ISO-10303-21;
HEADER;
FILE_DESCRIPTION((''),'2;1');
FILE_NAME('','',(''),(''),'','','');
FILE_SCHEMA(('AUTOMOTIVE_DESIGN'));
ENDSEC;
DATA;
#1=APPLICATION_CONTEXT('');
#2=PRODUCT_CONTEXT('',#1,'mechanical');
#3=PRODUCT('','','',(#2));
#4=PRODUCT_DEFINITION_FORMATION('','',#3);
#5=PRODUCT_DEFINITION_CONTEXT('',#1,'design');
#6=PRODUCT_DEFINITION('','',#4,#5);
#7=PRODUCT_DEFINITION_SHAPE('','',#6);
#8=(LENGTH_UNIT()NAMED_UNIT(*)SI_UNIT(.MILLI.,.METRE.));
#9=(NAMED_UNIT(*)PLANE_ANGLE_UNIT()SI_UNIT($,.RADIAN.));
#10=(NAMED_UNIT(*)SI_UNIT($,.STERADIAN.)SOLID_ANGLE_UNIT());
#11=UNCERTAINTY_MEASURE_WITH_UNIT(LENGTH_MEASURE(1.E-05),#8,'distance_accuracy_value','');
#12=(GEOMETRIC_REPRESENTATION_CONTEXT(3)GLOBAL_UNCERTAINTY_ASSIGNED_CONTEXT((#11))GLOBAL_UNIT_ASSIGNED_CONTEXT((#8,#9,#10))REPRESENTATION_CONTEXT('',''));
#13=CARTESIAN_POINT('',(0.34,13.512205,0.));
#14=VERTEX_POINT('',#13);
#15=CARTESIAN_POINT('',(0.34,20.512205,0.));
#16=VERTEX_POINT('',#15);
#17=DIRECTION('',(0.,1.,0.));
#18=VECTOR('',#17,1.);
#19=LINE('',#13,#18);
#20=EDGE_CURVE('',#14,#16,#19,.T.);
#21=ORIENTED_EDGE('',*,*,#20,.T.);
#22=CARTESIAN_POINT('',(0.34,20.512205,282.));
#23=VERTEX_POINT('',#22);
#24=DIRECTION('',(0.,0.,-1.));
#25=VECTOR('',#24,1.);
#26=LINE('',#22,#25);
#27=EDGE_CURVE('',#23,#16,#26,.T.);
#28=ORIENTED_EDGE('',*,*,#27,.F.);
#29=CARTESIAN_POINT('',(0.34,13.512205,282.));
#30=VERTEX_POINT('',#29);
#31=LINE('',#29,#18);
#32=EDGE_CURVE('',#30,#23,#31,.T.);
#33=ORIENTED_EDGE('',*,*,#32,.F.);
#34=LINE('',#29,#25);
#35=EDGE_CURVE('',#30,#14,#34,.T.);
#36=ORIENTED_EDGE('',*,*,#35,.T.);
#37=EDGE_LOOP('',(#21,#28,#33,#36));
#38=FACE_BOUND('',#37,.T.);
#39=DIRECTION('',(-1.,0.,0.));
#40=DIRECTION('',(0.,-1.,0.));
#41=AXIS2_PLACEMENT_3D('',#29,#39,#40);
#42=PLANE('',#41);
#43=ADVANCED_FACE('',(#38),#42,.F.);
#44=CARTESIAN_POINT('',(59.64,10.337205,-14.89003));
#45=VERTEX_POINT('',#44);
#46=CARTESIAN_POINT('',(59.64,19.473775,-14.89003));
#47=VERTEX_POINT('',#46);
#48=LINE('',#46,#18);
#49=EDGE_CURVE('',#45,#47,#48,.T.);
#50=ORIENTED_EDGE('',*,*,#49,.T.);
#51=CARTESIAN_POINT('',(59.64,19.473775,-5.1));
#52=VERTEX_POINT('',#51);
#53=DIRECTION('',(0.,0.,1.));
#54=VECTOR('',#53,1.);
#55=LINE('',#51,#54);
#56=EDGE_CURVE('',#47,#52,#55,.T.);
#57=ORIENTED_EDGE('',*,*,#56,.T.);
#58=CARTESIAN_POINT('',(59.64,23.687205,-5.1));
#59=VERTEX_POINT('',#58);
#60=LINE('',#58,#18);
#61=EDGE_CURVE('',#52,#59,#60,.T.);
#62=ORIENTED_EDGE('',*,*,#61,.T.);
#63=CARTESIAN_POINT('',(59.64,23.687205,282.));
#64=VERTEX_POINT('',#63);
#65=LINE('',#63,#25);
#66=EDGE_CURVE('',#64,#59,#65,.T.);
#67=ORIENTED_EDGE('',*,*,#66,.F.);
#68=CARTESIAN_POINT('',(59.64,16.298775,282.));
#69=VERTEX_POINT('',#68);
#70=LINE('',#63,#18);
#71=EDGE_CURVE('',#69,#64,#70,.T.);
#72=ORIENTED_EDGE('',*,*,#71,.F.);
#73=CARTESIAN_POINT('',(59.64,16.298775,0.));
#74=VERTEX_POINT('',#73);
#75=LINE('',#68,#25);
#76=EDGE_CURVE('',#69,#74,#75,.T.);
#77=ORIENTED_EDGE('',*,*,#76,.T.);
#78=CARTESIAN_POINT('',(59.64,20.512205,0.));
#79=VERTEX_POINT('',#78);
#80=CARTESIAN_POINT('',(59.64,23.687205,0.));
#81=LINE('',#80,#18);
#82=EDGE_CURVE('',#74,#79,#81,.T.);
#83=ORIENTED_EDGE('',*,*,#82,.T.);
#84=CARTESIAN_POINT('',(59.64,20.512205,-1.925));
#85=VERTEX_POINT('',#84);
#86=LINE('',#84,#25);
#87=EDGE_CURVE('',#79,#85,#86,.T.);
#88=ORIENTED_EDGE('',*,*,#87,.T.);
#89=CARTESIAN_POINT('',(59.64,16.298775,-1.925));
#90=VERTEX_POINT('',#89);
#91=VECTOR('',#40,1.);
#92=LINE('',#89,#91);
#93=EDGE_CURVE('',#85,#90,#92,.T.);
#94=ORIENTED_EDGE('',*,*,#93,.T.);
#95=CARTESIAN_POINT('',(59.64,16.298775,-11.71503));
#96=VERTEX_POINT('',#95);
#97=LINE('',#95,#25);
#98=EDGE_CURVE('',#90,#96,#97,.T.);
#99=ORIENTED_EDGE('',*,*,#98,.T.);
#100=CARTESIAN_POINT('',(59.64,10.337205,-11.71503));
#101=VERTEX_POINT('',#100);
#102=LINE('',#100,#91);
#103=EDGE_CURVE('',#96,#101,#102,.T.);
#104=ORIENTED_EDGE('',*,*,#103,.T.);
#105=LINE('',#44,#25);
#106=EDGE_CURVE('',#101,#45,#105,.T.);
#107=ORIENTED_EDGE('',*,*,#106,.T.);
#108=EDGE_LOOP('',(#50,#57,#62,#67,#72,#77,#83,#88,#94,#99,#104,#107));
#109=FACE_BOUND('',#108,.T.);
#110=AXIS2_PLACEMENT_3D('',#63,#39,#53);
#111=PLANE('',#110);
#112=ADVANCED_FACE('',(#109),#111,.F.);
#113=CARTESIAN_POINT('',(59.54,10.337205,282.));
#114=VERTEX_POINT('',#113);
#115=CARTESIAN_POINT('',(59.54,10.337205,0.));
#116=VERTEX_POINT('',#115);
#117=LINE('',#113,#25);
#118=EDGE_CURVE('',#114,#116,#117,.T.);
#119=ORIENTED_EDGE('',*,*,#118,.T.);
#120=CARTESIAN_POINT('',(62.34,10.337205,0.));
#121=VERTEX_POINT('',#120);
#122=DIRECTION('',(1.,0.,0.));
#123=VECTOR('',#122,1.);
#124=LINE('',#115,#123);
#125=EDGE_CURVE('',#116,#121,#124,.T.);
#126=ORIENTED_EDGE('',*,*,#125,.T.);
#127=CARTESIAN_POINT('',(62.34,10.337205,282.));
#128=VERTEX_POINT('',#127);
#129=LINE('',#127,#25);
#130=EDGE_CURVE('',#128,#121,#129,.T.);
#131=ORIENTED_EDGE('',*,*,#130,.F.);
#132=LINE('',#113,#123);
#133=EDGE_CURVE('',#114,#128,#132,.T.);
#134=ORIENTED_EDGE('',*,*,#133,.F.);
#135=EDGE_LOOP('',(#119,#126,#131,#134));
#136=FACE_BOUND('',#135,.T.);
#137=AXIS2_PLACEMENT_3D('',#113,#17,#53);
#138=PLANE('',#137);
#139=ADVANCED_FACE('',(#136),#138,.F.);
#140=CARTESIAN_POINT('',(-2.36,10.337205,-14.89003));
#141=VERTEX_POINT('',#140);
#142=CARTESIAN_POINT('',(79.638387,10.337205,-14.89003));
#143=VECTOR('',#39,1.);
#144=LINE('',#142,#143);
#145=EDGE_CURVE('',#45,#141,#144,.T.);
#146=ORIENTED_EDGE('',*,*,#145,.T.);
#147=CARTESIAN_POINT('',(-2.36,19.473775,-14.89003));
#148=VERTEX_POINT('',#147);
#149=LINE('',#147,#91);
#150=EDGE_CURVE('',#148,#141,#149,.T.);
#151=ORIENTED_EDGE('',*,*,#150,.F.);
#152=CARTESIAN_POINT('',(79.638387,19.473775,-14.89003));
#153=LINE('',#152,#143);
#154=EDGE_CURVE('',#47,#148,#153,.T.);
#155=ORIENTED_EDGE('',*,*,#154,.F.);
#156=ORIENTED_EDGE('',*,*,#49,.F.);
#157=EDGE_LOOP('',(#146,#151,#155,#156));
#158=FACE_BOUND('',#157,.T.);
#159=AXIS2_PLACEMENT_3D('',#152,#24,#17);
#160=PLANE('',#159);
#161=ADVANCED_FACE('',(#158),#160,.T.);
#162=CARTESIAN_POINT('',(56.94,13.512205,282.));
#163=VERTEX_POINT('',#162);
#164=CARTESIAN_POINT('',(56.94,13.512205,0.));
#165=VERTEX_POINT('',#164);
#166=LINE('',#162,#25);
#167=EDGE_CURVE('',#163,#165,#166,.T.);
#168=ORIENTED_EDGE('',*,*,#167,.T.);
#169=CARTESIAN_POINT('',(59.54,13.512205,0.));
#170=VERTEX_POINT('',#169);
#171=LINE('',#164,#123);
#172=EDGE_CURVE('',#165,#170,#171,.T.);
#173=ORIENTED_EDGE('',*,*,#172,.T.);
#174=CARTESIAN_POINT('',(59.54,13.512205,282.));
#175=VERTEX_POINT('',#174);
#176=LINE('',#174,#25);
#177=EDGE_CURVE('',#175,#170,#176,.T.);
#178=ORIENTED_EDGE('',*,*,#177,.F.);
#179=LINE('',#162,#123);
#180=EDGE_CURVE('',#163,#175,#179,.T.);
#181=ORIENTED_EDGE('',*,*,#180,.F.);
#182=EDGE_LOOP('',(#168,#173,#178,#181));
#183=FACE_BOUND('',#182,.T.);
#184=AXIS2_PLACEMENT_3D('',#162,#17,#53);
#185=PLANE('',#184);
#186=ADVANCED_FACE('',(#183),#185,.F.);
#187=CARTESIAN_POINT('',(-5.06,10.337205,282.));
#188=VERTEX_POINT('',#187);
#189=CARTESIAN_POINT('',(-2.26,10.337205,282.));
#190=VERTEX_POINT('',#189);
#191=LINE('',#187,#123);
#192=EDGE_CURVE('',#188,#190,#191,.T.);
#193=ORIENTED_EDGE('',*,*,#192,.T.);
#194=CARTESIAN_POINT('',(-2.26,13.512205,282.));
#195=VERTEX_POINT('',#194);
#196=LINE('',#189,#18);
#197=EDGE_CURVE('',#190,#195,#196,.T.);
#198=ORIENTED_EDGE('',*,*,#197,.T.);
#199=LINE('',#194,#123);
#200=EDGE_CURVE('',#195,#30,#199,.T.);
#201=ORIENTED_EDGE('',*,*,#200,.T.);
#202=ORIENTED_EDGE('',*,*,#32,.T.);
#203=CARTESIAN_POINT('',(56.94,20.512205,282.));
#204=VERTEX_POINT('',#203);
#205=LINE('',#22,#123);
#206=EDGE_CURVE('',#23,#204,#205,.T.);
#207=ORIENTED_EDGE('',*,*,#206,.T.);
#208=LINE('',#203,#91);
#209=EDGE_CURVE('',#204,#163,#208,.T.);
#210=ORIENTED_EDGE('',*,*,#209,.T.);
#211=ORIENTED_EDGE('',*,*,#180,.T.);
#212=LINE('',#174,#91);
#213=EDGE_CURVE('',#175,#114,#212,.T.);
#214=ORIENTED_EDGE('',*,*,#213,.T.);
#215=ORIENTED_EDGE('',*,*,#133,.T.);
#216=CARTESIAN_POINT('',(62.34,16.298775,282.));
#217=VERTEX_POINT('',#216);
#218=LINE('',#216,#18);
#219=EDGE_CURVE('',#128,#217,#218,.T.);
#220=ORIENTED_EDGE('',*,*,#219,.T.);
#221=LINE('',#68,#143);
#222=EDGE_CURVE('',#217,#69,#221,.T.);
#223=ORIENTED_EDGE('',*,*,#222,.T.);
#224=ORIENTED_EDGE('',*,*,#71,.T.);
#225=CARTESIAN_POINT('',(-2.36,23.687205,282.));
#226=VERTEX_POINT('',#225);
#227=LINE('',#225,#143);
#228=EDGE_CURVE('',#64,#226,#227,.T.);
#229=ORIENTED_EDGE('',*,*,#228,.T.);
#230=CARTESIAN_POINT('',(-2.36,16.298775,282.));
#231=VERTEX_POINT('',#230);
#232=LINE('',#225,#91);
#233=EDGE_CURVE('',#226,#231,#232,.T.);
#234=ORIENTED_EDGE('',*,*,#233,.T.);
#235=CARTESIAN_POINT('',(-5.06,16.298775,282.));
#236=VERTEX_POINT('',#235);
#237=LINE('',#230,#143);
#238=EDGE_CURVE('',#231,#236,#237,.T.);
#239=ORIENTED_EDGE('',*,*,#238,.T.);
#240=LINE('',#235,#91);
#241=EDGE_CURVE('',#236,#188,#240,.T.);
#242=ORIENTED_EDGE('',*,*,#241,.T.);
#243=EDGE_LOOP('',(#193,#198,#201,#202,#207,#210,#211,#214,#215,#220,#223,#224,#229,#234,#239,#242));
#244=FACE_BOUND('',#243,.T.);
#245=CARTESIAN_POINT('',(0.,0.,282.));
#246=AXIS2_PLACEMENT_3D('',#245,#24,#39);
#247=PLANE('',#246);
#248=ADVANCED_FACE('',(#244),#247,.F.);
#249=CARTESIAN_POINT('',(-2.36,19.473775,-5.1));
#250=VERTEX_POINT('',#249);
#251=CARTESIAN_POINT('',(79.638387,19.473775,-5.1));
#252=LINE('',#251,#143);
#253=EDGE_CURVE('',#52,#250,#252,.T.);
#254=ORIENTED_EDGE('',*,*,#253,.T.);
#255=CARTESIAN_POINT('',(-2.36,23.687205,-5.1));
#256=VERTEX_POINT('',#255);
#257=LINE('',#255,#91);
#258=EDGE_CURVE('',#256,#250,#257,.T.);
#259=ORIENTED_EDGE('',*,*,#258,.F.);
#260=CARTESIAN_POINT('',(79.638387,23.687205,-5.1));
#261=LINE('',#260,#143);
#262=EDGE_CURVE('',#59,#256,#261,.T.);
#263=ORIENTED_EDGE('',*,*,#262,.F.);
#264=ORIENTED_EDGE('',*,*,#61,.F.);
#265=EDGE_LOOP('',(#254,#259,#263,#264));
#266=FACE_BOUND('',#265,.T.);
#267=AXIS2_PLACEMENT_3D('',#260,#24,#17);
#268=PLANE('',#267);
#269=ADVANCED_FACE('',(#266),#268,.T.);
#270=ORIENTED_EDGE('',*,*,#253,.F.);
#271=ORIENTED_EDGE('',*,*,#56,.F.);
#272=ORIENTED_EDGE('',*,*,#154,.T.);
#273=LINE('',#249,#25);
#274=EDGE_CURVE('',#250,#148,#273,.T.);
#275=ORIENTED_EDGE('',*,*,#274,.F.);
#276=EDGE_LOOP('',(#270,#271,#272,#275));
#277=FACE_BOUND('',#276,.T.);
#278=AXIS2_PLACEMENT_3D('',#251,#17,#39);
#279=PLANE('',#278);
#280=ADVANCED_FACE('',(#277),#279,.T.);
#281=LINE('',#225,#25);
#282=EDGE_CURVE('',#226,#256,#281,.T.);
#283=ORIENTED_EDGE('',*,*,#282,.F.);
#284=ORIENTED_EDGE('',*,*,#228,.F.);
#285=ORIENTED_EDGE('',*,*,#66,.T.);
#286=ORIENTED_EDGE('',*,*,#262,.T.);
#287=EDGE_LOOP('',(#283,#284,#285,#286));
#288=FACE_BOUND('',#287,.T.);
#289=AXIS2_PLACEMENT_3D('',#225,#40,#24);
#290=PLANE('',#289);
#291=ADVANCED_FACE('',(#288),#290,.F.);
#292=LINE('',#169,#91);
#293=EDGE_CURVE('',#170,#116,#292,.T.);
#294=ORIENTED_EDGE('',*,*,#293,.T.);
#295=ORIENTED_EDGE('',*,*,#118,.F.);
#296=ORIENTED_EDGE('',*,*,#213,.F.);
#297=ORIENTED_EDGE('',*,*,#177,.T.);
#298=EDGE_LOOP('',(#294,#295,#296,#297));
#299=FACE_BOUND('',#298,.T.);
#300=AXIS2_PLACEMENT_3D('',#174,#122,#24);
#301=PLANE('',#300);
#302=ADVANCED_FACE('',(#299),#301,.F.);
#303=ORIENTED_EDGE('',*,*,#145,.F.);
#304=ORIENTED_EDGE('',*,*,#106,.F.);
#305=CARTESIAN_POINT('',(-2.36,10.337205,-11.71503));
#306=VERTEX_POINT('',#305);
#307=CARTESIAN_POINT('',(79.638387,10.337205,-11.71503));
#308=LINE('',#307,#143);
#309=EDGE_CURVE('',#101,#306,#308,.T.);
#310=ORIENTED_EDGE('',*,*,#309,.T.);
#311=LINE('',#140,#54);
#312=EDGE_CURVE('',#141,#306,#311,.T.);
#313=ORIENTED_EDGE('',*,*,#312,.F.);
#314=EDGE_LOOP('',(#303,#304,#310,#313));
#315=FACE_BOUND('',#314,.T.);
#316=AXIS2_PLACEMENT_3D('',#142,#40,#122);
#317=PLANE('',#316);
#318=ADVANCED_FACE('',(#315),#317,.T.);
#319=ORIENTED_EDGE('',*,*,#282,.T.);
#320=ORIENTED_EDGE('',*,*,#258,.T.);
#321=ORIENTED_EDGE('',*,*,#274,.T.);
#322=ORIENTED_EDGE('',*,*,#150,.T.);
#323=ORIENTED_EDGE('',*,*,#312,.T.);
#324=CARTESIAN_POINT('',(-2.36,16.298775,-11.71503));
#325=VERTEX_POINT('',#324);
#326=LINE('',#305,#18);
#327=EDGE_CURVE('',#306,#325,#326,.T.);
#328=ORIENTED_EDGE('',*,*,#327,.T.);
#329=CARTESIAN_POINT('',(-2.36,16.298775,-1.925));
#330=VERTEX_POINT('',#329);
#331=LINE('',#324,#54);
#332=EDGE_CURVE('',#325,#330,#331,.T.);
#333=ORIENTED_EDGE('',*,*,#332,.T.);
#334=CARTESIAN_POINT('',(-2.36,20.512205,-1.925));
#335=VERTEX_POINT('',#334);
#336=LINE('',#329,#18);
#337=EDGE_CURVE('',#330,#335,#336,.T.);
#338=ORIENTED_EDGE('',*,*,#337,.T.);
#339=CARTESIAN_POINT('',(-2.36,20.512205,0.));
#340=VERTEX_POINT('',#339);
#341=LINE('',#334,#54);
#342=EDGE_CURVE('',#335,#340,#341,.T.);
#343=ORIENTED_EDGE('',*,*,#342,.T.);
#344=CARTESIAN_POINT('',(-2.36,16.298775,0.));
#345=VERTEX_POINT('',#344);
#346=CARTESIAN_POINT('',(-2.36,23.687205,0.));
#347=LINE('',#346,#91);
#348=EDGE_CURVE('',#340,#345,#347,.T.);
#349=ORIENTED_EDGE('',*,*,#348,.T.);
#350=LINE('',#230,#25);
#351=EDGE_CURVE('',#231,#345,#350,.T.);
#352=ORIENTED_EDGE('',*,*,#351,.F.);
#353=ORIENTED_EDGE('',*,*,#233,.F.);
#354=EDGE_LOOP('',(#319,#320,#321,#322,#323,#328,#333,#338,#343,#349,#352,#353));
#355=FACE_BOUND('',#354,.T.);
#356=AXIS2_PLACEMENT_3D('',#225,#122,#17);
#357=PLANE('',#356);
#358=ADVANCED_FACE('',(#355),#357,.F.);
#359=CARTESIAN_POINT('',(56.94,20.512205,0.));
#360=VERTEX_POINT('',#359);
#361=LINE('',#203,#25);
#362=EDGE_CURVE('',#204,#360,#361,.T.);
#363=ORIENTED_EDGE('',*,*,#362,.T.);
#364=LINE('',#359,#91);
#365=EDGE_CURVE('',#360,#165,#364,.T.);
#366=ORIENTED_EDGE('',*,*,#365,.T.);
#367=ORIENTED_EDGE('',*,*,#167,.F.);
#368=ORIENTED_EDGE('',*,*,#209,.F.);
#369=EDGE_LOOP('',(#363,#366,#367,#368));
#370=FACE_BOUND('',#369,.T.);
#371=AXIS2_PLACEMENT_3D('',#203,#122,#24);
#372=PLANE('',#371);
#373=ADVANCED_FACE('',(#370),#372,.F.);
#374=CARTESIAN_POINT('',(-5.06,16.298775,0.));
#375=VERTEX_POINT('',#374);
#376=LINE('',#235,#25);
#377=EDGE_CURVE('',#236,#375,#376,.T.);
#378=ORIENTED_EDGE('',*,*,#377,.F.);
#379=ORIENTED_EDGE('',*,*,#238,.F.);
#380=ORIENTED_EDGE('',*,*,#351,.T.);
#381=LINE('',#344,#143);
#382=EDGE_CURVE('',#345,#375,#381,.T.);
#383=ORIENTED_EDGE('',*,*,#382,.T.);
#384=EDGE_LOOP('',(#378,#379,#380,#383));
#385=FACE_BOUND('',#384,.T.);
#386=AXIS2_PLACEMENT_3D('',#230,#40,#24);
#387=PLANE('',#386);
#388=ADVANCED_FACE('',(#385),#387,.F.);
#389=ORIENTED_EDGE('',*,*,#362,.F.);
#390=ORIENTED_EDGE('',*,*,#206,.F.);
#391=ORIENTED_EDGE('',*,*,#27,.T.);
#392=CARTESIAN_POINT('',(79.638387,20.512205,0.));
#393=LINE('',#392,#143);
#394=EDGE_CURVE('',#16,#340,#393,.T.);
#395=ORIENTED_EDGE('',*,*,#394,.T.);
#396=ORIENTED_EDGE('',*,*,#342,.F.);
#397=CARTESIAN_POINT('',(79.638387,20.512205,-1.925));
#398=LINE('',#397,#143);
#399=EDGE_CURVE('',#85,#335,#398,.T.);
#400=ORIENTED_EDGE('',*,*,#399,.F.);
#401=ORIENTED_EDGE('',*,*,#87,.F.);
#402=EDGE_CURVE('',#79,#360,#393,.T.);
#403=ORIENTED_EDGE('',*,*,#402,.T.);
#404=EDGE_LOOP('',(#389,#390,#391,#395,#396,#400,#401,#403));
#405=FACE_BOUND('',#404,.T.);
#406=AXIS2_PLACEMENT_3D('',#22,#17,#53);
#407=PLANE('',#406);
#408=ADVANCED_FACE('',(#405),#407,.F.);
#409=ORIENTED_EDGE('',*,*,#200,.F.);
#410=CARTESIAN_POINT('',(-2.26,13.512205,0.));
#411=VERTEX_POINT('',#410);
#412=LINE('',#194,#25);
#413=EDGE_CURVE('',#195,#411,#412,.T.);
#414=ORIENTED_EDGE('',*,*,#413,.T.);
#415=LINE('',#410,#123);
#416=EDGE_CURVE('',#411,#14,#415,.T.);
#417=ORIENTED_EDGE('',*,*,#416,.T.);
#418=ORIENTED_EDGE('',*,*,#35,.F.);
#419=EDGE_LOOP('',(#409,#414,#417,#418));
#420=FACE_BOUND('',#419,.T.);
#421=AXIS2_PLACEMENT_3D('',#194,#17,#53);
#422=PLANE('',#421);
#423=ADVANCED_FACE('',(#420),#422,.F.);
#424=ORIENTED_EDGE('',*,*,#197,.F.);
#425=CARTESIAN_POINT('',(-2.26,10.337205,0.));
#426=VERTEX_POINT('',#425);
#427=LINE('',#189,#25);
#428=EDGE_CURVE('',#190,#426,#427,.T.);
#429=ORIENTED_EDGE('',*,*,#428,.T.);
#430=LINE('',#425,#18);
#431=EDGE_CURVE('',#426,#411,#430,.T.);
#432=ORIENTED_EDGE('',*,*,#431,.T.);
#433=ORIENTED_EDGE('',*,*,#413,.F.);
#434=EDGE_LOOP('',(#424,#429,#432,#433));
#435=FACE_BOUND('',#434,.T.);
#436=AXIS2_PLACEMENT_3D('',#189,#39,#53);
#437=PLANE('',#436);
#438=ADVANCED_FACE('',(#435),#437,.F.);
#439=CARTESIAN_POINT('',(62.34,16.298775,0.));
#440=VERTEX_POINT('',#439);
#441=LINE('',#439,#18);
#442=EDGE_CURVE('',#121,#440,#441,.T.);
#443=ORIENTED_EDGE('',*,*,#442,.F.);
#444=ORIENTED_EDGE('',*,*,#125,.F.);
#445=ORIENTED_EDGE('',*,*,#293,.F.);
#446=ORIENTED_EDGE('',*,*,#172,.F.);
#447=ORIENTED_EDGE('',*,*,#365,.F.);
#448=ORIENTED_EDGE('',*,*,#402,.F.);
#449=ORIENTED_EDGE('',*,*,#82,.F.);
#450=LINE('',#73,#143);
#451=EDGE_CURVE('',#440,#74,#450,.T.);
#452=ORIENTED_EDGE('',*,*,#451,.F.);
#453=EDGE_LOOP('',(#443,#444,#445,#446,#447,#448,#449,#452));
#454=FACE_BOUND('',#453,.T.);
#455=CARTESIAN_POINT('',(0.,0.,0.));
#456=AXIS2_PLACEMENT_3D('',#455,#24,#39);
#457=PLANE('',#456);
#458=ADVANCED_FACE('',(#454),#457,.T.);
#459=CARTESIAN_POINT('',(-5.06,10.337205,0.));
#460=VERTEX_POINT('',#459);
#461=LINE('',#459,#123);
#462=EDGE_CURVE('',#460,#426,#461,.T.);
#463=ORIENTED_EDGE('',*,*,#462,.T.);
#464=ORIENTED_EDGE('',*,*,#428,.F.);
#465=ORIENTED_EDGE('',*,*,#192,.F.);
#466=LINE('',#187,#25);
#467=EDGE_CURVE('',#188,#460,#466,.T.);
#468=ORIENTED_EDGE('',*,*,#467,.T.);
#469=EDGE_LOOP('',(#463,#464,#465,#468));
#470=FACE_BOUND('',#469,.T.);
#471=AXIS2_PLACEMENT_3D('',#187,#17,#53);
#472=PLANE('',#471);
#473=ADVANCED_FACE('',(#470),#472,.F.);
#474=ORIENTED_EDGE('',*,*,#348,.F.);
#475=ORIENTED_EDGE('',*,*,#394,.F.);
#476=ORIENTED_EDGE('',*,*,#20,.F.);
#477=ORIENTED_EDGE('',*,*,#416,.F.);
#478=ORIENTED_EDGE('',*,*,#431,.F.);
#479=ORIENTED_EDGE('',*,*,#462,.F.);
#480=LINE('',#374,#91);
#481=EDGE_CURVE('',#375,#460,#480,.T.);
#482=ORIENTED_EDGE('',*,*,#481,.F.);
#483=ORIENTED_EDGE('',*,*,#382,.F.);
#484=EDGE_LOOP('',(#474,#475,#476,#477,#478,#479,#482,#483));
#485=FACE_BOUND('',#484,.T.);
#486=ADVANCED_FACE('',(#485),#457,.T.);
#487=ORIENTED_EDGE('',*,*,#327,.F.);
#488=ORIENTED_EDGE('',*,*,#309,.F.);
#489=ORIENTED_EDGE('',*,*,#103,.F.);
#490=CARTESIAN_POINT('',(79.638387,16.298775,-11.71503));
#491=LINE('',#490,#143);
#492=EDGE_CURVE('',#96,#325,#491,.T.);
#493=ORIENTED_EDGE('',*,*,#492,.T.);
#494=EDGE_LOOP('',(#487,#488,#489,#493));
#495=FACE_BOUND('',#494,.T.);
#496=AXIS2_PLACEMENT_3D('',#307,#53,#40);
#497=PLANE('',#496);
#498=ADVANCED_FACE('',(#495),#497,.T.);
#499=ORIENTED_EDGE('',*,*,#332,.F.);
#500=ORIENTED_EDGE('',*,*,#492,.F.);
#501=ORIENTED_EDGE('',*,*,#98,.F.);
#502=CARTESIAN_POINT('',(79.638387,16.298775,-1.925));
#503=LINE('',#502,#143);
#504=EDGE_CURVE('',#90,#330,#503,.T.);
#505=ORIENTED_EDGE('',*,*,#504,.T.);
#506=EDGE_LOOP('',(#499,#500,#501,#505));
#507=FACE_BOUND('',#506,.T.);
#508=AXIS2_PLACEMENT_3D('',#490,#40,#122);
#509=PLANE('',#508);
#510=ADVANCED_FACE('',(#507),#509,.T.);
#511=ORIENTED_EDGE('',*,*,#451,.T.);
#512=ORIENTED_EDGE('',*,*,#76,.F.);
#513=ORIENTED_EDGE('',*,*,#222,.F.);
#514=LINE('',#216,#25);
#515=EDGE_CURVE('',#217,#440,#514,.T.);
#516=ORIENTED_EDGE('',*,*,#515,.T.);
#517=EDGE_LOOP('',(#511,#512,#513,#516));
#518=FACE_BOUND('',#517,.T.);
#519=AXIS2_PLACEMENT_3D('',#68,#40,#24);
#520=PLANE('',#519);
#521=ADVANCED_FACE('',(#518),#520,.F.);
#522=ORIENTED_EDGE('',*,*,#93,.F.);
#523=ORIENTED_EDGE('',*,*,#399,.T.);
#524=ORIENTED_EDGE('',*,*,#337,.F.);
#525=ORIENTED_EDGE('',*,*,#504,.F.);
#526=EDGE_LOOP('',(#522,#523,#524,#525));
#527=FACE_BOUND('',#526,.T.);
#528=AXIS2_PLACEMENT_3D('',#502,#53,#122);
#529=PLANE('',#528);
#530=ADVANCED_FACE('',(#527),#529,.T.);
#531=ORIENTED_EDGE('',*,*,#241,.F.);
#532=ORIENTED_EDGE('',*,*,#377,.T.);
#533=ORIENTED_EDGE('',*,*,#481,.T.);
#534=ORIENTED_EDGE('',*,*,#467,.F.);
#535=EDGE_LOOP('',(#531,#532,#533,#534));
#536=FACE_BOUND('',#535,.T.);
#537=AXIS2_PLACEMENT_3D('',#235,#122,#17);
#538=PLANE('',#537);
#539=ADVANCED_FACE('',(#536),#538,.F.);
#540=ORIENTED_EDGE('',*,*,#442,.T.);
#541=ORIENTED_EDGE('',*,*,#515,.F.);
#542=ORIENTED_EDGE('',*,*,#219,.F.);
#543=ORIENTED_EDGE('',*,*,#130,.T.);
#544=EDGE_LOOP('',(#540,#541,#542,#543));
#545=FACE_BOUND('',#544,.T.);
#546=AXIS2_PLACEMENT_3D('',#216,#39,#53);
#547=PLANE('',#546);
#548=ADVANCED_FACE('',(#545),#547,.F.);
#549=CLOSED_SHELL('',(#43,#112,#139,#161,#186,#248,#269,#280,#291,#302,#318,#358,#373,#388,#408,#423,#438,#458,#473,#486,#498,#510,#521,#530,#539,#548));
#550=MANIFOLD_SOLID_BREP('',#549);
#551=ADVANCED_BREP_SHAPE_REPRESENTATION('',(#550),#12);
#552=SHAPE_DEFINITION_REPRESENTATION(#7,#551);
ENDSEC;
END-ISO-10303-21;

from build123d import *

# Parameters (mm, degrees)
BOSS_EXTRUDE1_DEPTH = 282
BOSS_EXTRUDE2_DEPTH = 62


with BuildPart() as part:
    # Sketch1 → Boss-Extrude1 (new body)
    with BuildSketch(Plane.XY):
        Polygon((-2.36, 23.687204572), (59.64, 23.687204572), (59.64, 16.298774949), (62.34, 16.298774949), (62.34, 10.337204572), (59.54, 10.337204572), (59.54, 13.512204572), (56.94, 13.512204572), (56.94, 20.512204572), (0.34, 20.512204572), (0.34, 13.512204572), (-2.26, 13.512204572), (-2.26, 10.337204572), (-5.06, 10.337204572), (-5.06, 16.298774949), (-2.36, 16.298774949), align=None)
    extrude(amount=BOSS_EXTRUDE1_DEPTH)

    # Sketch5 → Boss-Extrude2 (add)
    with BuildSketch(Plane.ZY.offset(2.36)):
        Polygon((0, 23.687204572), (-5.1, 23.687204572), (-5.1, 19.473774949), (-14.890029998, 19.473774949), (-14.890029998, 10.337204572), (-11.715029998, 10.337204572), (-11.715029998, 16.298774949), (-1.925, 16.298774949), (-1.925, 20.512204572), (0, 20.512204572), align=None)
    extrude(amount=-BOSS_EXTRUDE2_DEPTH)


solid = part.part
